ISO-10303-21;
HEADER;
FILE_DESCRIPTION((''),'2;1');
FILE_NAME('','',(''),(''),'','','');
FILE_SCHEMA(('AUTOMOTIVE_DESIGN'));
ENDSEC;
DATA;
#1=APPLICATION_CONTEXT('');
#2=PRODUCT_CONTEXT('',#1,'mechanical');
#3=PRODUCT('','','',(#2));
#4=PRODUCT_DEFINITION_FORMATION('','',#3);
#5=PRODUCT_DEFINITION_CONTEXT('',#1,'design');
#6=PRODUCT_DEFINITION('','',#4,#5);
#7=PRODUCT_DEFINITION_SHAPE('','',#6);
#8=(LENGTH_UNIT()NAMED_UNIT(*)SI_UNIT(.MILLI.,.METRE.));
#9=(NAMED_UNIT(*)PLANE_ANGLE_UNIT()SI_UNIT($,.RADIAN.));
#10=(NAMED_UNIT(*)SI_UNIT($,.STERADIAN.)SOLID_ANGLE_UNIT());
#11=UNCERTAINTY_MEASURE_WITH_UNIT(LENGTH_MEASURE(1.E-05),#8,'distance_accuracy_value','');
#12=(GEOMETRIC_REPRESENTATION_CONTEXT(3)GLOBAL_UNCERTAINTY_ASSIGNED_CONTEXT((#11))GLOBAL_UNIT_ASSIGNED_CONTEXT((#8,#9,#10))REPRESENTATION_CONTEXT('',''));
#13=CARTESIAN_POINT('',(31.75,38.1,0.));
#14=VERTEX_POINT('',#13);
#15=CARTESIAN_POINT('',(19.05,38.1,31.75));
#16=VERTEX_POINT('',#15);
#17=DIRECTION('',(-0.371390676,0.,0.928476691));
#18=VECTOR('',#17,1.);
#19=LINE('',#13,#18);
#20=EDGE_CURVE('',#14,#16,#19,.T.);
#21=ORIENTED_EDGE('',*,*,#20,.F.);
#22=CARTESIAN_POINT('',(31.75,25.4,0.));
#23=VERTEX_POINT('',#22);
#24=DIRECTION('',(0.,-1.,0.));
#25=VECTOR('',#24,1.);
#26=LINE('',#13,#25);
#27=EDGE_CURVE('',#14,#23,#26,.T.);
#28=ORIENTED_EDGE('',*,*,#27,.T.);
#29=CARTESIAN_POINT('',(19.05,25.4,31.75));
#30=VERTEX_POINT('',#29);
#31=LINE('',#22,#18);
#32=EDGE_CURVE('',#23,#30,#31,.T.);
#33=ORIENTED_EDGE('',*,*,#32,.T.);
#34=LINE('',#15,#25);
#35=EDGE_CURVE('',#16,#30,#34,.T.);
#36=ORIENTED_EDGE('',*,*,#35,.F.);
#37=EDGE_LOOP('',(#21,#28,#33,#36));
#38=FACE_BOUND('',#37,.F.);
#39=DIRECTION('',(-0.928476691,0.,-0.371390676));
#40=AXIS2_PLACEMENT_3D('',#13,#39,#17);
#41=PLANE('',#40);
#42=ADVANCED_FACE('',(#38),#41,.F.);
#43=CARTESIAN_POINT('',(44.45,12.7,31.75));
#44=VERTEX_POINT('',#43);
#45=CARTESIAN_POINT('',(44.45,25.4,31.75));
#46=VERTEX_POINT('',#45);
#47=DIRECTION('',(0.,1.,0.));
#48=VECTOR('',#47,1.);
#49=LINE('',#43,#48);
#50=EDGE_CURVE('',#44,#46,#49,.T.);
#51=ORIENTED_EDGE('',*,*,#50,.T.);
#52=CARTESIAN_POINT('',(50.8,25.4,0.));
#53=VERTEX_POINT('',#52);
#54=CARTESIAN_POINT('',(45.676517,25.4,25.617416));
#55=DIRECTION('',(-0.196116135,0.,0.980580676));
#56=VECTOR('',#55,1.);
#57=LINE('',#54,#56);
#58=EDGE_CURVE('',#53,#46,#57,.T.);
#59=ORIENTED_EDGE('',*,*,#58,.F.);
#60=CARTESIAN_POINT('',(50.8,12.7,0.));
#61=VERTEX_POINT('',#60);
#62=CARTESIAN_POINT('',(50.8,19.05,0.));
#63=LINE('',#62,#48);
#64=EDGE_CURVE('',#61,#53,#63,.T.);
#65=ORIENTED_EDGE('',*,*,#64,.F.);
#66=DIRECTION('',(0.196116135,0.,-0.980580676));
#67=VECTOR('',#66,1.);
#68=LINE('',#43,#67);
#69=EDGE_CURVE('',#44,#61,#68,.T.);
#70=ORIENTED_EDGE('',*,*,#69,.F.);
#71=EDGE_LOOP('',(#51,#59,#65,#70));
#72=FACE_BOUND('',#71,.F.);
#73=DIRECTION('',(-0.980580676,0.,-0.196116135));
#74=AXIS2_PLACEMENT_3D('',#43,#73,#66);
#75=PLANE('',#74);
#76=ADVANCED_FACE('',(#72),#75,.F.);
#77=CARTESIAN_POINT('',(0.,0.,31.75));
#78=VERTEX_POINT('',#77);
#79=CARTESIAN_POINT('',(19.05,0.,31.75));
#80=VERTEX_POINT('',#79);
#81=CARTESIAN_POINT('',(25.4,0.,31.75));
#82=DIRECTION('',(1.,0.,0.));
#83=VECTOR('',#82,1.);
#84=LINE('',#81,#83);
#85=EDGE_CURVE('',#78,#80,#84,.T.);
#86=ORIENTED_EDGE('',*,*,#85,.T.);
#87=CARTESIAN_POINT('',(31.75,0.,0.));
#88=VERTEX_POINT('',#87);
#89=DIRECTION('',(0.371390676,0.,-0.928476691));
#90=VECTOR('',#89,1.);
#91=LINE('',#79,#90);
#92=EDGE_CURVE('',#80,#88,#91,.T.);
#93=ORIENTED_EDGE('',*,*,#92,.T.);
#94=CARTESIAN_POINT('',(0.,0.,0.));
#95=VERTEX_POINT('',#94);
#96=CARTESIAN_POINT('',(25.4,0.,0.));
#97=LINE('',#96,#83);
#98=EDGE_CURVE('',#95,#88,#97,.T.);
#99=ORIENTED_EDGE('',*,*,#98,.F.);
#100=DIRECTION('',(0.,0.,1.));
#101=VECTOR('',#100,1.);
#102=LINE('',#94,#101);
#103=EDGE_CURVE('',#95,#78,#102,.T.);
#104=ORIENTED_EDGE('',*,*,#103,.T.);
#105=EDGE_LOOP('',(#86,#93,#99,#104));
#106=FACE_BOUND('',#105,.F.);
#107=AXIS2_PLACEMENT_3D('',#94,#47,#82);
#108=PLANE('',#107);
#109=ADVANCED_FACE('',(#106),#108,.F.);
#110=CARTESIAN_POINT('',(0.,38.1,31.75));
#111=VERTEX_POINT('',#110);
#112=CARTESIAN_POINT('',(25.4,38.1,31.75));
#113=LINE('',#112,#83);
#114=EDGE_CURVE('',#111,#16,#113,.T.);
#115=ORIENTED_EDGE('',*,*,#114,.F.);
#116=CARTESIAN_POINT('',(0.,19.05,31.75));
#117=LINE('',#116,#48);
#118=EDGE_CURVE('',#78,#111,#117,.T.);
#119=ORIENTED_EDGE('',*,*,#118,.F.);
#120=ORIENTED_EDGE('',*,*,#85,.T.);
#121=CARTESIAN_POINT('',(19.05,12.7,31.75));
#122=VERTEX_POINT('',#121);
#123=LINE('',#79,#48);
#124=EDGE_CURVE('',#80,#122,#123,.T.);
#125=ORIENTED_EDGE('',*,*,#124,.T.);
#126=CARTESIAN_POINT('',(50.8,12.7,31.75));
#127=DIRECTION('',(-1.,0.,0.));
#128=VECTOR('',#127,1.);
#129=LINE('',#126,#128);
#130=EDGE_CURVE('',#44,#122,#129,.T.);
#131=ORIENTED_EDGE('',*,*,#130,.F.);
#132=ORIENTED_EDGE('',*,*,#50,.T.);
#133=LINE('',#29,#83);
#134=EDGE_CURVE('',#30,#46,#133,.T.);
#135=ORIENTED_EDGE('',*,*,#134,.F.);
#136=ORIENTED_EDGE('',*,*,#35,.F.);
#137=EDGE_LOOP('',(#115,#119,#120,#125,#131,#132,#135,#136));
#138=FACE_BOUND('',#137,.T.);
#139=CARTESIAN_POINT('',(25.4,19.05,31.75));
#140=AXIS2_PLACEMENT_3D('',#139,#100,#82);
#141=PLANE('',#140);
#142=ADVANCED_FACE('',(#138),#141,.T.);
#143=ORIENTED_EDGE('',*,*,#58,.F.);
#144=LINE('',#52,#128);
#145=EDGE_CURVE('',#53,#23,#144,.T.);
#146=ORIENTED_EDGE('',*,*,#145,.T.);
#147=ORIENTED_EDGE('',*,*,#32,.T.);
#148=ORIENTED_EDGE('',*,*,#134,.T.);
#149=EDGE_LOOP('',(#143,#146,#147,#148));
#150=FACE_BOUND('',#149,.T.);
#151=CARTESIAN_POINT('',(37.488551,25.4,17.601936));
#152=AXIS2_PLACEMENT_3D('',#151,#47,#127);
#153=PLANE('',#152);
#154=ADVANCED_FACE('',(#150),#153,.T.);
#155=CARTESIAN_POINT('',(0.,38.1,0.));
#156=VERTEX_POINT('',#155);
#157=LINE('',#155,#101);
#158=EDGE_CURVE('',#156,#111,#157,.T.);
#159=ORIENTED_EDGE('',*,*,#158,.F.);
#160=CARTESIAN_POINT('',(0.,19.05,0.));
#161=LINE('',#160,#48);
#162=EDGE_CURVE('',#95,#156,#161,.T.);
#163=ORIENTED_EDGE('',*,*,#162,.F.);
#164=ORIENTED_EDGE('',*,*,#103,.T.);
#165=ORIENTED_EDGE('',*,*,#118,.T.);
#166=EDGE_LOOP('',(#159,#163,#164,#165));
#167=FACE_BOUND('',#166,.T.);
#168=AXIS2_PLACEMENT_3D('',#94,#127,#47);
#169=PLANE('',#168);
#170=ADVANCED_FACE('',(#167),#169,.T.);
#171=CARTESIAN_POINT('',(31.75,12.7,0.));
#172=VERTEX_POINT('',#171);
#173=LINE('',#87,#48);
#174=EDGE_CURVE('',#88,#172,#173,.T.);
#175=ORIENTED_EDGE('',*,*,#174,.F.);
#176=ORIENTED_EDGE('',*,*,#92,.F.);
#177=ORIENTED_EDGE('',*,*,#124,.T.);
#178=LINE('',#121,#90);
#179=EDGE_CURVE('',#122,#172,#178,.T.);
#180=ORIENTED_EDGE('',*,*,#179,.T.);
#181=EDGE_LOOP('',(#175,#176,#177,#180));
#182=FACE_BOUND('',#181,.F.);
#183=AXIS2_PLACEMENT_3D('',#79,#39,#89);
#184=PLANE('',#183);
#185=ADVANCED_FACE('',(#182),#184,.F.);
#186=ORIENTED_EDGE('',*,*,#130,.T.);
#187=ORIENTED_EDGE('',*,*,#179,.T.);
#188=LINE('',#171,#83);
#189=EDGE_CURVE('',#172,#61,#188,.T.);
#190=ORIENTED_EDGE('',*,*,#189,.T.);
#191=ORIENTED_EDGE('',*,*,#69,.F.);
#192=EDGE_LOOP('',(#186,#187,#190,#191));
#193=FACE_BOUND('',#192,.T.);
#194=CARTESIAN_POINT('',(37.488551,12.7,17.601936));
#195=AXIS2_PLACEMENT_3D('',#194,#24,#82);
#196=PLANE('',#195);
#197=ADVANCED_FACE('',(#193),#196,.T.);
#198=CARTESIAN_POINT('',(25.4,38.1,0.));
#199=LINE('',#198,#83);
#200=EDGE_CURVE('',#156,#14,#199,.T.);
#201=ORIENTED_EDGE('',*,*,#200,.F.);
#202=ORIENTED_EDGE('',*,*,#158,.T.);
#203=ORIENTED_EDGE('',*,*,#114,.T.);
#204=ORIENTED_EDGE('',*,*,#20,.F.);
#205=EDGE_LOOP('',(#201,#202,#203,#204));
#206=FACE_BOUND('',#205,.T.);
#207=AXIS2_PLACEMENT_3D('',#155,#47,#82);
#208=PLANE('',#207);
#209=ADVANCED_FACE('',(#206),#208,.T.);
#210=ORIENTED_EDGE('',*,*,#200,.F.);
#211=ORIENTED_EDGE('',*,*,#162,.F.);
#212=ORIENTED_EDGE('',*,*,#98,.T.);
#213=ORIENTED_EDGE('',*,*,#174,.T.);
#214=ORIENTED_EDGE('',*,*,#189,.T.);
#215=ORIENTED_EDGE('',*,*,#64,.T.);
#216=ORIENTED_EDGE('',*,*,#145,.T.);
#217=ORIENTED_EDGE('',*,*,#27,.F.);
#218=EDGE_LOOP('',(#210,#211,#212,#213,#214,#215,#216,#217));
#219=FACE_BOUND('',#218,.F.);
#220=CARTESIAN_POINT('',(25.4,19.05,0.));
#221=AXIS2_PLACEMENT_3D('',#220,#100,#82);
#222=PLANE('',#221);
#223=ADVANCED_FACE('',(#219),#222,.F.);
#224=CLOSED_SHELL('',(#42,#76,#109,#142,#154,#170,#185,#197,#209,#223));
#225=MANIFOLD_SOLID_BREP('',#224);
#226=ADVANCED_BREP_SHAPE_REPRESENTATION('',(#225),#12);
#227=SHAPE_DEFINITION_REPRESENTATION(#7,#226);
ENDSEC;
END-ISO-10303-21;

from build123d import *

# Parameters (mm, degrees)
F0_W     = 50.8
F0_H     = 38.1
F1_DEPTH = 31.75
F3_DEPTH = 12.7
F5_DEPTH = 12.7
F7_DEPTH = 25.4


with BuildPart() as f1:
    # F0 (on Top) → F1 (new body)
    with BuildSketch(Plane.XY):
        with Locations((25.4, 19.05)):
            Rectangle(F0_W, F0_H)
    extrude(amount=F1_DEPTH)

    # F2 (on face) → F3 (cut)
    with BuildSketch(Plane.XZ):
        Polygon((19.05, 31.75), (31.75, 0), (50.8, 0), (50.8, 31.75), align=None)
    extrude(amount=-F3_DEPTH, mode=Mode.SUBTRACT)

    # F4 (on face) → F5 (cut)
    with BuildSketch(Plane(origin=(0, 38.1, 0), x_dir=(-1, 0, 0), z_dir=(0, 1, 0))):
        Polygon((-50.8, 0), (-31.75, 0), (-19.05, 31.75), (-50.8, 31.75), align=None)
    extrude(amount=-F5_DEPTH, mode=Mode.SUBTRACT)

    # F6 (on face) → F7 (cut)
    with BuildSketch(Plane.XZ.offset(-12.7)):
        Polygon((44.45, 31.75), (50.8, 0), (50.8, 31.75), align=None)
    extrude(amount=-F7_DEPTH, mode=Mode.SUBTRACT)


solid = f1.part
